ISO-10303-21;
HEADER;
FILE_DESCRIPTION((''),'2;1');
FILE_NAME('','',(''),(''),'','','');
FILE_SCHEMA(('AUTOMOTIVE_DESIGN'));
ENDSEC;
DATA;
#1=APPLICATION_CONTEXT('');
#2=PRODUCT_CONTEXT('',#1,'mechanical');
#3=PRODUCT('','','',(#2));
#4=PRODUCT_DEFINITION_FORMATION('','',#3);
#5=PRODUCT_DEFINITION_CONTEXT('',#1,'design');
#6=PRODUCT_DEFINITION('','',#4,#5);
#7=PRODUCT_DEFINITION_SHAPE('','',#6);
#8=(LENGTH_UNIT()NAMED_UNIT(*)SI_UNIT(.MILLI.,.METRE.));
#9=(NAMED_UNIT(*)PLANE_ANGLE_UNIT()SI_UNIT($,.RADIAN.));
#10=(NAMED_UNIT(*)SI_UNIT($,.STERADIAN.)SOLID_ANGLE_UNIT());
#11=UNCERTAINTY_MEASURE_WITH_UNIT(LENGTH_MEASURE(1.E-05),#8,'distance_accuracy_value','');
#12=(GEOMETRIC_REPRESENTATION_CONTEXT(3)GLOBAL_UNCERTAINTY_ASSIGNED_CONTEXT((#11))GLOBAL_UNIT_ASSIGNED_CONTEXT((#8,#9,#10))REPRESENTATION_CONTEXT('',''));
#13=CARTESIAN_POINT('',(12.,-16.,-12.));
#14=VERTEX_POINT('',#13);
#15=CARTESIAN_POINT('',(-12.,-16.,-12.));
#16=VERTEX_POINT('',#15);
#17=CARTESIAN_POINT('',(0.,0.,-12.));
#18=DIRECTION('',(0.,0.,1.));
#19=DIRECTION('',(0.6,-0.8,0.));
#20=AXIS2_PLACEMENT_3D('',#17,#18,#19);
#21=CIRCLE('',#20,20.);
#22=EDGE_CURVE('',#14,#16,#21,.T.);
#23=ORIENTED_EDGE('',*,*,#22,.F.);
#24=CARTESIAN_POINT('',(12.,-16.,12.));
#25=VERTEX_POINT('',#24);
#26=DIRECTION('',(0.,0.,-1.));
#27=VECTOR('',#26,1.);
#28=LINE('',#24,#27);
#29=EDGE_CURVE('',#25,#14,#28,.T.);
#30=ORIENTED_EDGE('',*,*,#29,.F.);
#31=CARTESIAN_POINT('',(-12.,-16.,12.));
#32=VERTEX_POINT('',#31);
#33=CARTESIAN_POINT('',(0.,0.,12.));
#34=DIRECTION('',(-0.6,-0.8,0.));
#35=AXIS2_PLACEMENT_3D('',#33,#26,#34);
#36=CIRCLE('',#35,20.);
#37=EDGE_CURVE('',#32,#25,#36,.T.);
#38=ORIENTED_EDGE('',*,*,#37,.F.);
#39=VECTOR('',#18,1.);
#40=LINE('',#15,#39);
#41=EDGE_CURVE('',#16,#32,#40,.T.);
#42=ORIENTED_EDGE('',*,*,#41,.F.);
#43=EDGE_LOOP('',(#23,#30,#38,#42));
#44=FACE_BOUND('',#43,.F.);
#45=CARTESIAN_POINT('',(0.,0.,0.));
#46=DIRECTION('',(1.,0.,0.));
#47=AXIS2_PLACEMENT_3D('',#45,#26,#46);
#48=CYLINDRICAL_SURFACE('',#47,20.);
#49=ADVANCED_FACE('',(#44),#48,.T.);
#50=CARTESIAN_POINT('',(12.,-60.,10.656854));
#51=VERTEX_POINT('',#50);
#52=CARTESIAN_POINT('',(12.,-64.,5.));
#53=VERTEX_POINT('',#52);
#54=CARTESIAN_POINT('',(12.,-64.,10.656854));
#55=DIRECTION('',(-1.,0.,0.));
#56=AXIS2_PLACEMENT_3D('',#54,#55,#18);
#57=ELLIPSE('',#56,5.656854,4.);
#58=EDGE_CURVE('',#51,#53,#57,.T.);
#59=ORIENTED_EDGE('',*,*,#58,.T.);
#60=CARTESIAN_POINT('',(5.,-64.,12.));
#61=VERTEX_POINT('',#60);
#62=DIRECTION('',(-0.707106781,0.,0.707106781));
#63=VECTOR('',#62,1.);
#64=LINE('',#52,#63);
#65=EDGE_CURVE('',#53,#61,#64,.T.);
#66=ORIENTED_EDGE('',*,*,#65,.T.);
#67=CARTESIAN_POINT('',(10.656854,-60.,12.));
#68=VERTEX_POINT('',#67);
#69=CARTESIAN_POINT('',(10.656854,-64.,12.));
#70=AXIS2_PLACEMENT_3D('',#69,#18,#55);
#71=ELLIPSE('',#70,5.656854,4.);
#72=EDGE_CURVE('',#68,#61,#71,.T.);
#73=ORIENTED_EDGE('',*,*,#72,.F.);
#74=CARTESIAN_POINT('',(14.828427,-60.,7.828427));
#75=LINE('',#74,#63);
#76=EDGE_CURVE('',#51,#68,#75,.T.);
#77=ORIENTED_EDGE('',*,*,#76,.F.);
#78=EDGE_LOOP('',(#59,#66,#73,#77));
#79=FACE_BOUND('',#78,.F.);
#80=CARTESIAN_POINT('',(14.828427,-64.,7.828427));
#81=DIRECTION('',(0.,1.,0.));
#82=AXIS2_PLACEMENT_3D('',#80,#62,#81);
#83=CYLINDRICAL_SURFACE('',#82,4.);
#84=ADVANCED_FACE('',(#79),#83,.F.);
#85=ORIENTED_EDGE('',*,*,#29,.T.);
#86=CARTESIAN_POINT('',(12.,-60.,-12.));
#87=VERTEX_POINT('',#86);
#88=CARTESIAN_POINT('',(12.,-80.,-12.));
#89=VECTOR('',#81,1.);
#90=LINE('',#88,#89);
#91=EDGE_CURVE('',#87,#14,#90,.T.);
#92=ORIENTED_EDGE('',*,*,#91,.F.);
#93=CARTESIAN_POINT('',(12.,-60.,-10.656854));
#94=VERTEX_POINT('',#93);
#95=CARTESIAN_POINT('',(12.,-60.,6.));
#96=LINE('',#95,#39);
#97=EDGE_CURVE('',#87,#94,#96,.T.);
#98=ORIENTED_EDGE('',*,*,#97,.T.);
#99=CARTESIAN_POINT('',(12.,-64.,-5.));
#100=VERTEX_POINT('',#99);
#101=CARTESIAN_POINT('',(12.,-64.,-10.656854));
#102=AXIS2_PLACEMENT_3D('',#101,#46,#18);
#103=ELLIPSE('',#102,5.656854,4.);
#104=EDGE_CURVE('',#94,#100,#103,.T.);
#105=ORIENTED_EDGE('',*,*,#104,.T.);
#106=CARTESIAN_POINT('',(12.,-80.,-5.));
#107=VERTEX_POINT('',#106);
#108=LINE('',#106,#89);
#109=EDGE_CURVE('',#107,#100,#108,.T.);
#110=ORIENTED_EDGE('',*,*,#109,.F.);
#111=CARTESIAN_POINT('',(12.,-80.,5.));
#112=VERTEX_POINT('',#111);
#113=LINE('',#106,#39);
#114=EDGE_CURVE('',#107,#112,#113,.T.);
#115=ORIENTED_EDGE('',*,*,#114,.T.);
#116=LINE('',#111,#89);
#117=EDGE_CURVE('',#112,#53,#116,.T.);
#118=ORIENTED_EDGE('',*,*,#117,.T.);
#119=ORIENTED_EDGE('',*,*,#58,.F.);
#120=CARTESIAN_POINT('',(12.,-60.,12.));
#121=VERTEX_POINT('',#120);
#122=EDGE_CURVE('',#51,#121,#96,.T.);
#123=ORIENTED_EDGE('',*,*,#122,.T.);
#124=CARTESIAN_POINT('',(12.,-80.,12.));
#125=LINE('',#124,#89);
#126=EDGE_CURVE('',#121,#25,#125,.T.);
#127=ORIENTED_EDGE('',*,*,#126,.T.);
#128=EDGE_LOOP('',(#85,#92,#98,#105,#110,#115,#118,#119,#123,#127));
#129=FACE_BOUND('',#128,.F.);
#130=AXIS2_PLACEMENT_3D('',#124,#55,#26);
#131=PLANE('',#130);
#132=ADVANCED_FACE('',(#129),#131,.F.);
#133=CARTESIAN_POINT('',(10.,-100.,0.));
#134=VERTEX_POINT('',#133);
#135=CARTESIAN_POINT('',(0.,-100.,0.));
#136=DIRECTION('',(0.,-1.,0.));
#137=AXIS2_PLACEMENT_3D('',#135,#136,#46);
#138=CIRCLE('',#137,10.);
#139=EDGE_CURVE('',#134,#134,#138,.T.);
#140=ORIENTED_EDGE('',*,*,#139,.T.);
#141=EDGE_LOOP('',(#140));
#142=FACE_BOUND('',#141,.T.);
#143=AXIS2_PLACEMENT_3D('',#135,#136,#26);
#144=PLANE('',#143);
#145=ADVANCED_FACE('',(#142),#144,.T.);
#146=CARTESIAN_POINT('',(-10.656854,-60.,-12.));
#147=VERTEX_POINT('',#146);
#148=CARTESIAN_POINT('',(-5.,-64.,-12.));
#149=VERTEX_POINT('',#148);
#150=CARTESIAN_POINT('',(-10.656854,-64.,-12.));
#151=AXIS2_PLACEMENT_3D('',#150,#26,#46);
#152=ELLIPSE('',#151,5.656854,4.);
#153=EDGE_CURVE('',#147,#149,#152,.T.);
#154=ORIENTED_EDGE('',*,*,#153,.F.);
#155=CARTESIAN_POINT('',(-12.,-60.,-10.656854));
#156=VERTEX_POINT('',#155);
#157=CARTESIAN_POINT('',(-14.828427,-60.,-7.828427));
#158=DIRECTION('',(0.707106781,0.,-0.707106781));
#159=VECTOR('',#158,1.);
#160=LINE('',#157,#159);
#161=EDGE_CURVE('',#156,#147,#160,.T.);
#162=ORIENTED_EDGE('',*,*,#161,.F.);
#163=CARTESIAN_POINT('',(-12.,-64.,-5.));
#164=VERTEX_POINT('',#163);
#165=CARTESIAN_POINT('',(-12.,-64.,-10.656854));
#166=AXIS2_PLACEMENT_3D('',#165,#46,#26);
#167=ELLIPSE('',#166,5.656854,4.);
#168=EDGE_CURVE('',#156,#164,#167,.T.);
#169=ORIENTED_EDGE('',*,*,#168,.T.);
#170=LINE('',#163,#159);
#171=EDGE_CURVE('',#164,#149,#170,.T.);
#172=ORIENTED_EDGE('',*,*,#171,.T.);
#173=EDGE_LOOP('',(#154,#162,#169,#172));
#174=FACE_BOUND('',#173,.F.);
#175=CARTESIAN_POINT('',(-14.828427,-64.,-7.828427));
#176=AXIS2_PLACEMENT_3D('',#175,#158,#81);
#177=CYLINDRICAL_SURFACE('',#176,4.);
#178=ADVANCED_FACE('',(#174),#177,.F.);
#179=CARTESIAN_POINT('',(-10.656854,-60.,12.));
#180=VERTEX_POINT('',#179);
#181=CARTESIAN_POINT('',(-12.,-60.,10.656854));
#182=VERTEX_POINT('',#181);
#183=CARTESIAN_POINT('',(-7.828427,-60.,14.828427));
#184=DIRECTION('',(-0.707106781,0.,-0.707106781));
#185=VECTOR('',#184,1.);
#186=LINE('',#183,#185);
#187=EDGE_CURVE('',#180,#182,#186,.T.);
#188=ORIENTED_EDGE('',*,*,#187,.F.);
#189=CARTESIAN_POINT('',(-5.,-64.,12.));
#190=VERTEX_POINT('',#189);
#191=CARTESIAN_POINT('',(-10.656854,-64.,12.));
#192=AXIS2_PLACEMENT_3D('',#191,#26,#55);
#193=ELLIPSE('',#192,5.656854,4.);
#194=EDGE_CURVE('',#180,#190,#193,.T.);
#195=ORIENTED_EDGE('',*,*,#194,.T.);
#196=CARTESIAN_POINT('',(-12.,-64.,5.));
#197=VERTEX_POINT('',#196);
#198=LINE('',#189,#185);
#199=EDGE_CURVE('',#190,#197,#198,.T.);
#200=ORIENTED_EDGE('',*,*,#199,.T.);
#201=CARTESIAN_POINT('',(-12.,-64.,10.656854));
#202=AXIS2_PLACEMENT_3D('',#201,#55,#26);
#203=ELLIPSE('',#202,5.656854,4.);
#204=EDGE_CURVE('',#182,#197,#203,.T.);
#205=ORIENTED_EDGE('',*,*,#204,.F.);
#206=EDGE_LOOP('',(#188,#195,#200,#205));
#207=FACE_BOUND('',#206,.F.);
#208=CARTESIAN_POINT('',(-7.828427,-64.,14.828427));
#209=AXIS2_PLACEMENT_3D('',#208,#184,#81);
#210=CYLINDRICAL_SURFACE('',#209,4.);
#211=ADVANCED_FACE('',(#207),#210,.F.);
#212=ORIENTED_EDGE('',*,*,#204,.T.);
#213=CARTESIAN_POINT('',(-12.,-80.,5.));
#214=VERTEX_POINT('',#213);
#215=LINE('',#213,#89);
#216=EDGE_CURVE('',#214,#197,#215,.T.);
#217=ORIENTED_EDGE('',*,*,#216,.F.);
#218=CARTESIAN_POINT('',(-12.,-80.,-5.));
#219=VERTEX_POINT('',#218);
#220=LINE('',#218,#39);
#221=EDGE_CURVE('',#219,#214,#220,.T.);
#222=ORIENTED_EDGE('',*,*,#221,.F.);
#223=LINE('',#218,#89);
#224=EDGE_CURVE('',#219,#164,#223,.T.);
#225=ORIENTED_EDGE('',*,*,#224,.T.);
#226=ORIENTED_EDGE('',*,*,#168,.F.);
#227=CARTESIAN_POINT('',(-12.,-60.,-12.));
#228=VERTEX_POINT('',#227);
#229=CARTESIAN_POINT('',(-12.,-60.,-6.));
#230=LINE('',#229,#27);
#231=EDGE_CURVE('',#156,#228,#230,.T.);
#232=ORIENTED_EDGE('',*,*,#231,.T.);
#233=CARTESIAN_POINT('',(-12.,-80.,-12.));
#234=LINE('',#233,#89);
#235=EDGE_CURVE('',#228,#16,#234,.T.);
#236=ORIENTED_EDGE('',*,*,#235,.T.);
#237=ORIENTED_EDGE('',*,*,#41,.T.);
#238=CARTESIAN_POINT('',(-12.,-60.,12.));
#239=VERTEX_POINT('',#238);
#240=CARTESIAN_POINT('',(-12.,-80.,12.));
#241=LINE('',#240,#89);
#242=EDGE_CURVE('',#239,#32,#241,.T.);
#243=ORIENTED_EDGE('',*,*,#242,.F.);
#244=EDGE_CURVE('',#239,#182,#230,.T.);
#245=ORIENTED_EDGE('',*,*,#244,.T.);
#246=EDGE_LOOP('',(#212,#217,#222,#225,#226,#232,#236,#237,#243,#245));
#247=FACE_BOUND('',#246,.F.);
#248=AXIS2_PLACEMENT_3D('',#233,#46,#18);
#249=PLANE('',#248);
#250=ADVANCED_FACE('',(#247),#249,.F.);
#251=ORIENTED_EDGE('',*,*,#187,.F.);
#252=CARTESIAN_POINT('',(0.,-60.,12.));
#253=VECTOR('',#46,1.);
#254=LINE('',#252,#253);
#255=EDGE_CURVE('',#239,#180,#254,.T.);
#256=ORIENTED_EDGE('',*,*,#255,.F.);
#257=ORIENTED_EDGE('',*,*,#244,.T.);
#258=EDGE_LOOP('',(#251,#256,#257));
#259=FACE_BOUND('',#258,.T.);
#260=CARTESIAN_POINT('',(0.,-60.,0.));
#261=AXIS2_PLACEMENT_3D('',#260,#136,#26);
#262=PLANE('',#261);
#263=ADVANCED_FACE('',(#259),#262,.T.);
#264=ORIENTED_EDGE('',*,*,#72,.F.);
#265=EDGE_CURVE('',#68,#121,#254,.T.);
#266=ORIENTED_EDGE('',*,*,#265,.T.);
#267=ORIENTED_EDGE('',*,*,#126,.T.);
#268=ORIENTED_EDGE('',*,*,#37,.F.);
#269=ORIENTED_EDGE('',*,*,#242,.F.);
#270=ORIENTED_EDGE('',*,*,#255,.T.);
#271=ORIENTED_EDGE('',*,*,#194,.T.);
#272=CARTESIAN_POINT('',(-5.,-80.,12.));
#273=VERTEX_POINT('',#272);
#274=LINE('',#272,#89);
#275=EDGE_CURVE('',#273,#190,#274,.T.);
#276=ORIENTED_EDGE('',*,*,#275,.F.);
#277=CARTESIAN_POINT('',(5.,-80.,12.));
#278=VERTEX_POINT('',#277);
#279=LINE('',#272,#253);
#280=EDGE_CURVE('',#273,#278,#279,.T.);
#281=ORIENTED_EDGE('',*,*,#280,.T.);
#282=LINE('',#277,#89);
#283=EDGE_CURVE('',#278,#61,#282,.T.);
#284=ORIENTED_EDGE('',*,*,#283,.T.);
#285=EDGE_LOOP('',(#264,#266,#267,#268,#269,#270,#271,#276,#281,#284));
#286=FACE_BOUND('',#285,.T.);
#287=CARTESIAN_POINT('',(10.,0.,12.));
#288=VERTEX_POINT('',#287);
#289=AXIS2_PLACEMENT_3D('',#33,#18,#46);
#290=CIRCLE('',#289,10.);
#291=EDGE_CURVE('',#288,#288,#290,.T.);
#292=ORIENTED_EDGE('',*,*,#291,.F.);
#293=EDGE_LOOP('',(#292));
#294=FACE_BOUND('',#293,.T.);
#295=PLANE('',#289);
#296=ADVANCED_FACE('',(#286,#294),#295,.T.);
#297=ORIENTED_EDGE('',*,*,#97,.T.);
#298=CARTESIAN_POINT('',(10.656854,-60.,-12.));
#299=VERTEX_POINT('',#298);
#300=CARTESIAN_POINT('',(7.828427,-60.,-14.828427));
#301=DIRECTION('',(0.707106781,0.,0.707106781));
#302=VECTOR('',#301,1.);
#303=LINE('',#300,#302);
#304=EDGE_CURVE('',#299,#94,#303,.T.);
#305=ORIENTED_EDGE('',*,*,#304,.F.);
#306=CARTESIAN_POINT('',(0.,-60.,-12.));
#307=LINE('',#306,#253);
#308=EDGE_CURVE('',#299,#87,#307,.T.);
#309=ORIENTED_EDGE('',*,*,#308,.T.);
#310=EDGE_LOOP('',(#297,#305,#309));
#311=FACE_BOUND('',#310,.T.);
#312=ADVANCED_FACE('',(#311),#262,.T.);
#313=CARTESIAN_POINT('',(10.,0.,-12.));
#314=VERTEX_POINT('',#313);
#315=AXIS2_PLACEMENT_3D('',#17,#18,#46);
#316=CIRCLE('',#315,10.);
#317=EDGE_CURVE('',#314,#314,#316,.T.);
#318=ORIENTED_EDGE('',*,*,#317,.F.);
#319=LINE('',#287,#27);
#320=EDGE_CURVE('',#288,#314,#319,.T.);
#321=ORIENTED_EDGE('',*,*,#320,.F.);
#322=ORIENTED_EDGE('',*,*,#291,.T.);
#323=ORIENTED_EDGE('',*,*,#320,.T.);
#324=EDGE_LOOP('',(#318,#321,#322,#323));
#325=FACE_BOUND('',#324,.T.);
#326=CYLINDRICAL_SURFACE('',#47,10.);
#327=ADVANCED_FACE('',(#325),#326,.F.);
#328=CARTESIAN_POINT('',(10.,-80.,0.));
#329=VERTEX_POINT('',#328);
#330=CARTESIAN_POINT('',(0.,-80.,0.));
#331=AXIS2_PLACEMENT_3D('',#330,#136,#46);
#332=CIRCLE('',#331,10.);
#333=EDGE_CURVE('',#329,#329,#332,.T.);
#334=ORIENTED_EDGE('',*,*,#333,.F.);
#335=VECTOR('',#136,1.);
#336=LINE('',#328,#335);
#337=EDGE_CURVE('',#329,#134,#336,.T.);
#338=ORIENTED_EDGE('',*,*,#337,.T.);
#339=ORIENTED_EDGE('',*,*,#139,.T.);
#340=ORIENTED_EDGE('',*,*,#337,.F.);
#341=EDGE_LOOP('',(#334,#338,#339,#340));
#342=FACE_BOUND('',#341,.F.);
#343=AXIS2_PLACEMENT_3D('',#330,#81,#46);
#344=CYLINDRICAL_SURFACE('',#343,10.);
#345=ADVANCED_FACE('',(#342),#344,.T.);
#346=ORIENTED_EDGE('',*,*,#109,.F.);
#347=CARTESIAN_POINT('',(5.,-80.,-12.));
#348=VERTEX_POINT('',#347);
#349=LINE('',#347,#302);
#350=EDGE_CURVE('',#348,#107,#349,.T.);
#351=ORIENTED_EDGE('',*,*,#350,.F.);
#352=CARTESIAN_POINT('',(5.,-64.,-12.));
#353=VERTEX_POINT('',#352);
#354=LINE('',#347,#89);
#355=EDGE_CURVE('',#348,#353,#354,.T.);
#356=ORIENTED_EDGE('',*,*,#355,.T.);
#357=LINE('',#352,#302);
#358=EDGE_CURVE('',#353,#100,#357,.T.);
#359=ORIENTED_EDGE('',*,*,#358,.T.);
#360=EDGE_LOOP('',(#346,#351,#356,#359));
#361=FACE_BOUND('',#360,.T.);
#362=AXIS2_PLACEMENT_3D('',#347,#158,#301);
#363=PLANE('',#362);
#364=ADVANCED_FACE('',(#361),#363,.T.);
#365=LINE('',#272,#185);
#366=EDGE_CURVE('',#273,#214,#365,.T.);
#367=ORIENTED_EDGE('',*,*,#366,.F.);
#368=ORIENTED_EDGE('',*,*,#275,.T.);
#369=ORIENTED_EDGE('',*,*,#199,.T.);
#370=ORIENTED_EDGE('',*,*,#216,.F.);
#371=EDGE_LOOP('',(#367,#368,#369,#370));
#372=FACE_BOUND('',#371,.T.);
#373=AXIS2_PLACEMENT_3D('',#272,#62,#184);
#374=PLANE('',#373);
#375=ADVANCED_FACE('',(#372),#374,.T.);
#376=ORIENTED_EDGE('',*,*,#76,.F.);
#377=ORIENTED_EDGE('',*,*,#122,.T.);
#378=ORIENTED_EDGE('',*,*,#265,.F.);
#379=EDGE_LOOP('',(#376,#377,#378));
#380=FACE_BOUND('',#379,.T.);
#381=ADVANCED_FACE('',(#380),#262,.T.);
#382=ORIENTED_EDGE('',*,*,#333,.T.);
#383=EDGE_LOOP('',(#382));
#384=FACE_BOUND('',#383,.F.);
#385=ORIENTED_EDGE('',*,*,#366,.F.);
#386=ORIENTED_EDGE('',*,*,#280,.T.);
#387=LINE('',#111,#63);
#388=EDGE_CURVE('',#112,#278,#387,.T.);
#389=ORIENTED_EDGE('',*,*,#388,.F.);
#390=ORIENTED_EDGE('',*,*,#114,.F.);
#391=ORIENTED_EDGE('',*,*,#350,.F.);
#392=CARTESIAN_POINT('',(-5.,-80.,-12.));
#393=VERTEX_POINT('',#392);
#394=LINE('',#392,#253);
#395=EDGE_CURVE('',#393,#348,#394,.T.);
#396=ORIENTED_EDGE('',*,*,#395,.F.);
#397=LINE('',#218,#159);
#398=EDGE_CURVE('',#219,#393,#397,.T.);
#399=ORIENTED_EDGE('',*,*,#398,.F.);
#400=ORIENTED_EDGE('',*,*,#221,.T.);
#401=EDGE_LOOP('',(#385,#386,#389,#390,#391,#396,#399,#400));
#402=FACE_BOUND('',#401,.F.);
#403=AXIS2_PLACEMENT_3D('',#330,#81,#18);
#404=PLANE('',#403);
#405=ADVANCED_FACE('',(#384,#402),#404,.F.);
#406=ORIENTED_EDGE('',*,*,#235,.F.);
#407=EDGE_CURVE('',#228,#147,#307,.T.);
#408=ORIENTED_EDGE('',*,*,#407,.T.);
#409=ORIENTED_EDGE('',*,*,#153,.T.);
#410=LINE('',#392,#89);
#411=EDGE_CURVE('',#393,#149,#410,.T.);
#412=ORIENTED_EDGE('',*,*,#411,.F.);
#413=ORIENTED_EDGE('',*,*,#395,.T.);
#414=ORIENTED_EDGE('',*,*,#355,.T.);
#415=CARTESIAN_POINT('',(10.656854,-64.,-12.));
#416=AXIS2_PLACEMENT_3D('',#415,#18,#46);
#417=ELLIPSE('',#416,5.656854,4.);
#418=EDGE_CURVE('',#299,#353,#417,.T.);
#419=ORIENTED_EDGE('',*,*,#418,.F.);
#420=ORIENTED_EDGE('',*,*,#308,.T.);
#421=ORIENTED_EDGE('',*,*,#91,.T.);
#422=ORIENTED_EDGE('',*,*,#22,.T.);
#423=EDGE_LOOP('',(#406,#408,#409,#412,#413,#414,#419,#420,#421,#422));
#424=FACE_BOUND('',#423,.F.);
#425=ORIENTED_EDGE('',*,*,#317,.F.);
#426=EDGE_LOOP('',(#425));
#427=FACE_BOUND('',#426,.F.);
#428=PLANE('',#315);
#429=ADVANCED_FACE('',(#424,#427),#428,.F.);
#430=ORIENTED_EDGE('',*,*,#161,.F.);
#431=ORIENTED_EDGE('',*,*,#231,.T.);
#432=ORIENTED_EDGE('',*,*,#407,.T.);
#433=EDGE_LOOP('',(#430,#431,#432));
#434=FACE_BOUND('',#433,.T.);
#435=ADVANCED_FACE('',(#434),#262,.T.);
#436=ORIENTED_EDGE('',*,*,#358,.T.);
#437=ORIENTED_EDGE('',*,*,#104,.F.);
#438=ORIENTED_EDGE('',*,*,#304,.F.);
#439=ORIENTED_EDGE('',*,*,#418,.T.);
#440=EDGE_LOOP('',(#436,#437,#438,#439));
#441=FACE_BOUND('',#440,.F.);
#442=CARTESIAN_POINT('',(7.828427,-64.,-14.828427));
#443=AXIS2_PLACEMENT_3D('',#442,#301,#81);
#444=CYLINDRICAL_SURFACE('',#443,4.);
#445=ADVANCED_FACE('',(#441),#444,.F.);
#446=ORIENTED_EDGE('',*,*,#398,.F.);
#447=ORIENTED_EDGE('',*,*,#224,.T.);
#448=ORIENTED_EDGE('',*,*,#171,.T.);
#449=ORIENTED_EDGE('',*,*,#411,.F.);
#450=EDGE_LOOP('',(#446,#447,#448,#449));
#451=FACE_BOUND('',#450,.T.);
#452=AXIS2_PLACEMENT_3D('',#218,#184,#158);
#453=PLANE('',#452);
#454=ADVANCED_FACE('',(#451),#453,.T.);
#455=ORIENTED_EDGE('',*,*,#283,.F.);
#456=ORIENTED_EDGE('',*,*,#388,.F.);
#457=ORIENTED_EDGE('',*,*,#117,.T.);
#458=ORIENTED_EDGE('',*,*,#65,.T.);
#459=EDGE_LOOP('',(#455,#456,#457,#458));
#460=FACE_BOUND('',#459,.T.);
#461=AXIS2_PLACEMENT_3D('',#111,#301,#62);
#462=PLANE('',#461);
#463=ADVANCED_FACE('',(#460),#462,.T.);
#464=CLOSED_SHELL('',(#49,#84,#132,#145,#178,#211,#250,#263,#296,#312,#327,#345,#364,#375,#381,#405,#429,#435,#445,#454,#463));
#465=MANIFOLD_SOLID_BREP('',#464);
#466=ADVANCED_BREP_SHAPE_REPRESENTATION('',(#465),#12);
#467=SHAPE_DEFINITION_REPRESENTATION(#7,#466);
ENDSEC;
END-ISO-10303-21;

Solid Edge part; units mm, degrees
sketch "Sketch1" plane through (0, 0, 0) normal (0, 0, 1) x (1, 0, 0)
  circle A0 centre (0, 0) radius 10
  circle A1 centre (0, 0) radius 20
extrude "Protrusion1" add sketch "Sketch1" along normal mid plane 24
sketch "Sketch2" plane through (0, -80, 0) normal (0, -1, 0) x (1, 0, 0)
  line L0 (-12, 12) -> (12, 12)
  line L1 (12, 12) -> (12, -12)
  line L2 (12, -12) -> (-12, -12)
  line L3 (-12, -12) -> (-12, 12)
  dimension "D1" = 24
  dimension "D2" = 24
extrude "Protrusion2" add sketch "Sketch2" against normal up to next
sketch "Sketch3" plane through (0, -80, 0) normal (0, -1, 0) x (1, 0, 0)
  circle A0 centre (0, 0) radius 10
extrude "ExtrudedProtrusion_3" add sketch "Sketch3" along normal blind 20
sketch "Sketch4" plane through (0, -80, 0) normal (0, -1, 0) x (1, 0, 0)
  line L0 (-5, 12) -> (5, 12)
  line L1 (12, 5) -> (5, 12)
  line L2 (12, -5) -> (12, 5)
  line L3 (5, -12) -> (12, -5)
  line L4 (-5, -12) -> (5, -12)
  line L5 (-12, -5) -> (-5, -12)
  line L6 (-12, -5) -> (-12, 5)
  line L7 (-5, 12) -> (-12, 5)
extrude "ExtrudedCutout_1" cut sketch "Sketch4" against normal blind 20 flip side to cut
fillet "Round_1" radius 4 4 edges at (-8.5, -60, 8.5) (8.5, -60, 8.5) (-8.5, -60, -8.5) (8.5, -60, -8.5)
properties part number "2"
